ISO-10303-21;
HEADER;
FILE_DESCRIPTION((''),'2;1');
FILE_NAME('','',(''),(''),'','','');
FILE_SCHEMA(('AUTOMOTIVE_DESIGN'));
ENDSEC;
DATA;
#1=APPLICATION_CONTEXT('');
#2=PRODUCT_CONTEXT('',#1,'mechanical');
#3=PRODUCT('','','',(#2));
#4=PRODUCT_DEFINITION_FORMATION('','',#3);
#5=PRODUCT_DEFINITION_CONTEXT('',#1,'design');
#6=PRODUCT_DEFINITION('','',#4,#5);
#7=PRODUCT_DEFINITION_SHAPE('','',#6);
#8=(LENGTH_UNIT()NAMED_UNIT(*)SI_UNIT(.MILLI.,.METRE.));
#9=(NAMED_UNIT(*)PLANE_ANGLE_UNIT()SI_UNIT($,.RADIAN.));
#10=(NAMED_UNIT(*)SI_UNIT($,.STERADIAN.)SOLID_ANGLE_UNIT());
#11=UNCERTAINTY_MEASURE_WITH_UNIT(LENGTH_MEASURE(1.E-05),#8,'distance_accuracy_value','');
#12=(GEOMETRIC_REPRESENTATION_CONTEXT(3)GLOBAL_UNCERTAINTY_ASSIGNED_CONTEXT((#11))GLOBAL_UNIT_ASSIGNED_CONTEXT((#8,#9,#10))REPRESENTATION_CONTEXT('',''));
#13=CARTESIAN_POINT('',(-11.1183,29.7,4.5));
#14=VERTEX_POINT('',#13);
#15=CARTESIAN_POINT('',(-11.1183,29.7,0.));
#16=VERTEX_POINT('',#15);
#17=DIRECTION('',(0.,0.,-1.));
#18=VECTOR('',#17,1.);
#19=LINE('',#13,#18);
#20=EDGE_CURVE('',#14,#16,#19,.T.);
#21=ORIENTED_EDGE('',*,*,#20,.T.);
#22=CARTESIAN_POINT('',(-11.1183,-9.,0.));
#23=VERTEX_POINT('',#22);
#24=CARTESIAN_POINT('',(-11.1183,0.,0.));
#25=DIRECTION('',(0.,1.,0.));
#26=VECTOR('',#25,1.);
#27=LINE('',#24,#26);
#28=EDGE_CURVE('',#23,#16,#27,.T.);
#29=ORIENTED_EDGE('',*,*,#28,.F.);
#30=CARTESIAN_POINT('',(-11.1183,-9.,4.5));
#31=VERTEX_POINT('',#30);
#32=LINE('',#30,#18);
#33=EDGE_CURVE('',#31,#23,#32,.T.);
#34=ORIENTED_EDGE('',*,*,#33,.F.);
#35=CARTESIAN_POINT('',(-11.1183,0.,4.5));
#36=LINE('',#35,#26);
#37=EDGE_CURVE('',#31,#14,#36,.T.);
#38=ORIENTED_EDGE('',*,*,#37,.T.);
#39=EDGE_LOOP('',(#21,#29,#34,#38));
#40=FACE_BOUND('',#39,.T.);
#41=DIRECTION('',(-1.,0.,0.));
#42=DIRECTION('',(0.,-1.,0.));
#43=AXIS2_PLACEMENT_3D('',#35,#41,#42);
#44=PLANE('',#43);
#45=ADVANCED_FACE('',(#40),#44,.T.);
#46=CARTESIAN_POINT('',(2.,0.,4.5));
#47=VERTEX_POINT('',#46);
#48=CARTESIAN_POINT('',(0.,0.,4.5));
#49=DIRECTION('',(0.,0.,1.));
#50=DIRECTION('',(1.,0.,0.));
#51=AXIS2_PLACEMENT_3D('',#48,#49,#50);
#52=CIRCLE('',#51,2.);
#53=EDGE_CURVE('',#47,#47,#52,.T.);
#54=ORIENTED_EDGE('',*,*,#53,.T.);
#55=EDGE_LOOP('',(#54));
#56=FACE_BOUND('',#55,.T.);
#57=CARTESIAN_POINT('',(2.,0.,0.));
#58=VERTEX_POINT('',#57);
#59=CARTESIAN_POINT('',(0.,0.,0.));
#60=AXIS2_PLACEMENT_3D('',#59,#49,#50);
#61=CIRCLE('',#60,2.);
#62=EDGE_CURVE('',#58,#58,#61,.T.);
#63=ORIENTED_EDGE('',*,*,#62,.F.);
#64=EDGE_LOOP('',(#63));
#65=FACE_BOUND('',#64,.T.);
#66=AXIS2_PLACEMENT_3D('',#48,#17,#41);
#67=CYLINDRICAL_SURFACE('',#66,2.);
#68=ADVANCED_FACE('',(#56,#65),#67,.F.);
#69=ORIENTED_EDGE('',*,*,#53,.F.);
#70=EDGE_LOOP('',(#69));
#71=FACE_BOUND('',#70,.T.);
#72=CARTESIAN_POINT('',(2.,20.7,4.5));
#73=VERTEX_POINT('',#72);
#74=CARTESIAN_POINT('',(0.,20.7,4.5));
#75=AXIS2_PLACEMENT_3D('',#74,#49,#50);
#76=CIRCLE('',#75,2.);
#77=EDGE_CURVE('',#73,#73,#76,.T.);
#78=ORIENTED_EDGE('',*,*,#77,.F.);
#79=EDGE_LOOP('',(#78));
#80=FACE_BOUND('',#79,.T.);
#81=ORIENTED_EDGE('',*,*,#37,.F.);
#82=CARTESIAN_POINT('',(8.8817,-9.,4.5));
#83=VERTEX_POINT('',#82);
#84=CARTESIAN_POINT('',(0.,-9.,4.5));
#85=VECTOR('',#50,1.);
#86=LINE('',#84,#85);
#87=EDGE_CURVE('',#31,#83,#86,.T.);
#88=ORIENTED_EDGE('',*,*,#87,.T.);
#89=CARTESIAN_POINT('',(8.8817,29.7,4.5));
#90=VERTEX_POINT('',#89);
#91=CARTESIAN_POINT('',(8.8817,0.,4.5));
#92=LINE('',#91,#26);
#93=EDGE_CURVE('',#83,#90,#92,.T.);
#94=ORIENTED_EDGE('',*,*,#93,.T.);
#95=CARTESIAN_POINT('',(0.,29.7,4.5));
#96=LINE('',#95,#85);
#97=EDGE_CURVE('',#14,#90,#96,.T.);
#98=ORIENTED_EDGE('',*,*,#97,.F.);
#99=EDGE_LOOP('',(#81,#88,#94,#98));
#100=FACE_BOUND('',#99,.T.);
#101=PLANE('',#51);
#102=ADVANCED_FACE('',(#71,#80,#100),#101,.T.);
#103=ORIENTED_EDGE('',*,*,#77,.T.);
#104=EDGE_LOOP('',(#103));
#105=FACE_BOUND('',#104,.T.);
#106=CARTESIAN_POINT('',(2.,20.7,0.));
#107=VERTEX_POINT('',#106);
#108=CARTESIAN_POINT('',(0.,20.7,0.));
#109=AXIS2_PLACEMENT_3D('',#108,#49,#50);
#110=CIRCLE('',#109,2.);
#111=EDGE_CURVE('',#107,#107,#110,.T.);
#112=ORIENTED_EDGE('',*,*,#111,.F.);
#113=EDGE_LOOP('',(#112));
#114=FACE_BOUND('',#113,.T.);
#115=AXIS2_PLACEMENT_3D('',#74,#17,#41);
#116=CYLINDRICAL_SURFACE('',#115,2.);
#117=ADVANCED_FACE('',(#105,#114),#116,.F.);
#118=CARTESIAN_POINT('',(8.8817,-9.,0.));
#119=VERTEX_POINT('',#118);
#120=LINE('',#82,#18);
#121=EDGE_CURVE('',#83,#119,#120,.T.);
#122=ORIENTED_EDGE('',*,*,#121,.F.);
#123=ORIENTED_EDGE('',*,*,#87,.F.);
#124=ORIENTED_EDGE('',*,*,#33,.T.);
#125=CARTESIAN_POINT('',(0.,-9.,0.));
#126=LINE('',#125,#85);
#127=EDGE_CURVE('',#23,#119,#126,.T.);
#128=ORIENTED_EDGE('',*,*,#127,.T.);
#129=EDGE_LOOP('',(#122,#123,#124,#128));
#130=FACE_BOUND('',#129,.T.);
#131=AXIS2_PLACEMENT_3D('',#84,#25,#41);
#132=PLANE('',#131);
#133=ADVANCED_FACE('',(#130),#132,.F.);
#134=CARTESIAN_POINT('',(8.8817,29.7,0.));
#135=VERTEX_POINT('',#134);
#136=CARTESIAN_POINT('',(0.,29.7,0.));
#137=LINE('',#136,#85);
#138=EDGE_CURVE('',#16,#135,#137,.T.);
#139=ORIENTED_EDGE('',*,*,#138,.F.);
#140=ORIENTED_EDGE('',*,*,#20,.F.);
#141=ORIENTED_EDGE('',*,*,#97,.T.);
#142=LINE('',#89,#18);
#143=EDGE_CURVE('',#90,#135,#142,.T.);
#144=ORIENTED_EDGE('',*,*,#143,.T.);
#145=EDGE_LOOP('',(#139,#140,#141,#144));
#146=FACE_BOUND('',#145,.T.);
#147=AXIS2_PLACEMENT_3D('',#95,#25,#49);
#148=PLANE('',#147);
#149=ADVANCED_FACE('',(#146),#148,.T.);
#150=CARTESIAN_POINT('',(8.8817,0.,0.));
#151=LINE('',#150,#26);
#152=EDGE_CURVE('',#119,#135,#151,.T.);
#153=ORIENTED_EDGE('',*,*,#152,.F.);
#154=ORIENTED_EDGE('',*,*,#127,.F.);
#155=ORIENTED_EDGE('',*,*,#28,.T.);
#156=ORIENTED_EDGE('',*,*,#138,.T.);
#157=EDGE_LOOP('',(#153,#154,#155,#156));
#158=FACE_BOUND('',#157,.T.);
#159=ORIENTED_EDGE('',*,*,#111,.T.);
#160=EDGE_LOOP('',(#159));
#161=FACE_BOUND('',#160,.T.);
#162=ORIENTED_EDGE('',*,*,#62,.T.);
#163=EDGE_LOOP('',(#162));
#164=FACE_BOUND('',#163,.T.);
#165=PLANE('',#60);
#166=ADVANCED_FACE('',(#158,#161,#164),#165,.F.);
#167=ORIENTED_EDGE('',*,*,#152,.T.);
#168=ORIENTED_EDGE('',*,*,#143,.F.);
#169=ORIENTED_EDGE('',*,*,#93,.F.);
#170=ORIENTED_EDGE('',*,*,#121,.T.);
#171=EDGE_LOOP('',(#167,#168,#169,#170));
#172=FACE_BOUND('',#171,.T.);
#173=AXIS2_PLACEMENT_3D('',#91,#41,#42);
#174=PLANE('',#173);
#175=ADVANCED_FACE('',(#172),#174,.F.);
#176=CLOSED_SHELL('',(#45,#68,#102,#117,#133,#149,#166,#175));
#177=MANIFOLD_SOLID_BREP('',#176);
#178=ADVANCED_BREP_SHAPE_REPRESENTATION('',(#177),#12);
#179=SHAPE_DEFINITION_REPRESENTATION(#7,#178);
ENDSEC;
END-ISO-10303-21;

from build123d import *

# Parameters (mm, degrees)
SKETCH1_W           = 20
SKETCH1_H           = 38.7
SKETCH1_R           = 2
BOSS_EXTRUDE1_DEPTH = 4.5


with BuildPart() as part:
    # Sketch1 → Boss-Extrude1 (new body)
    with BuildSketch(Plane.XY):
        with Locations((-1.1183, 10.35)):
            Rectangle(SKETCH1_W, SKETCH1_H)
        Circle(SKETCH1_R, mode=Mode.SUBTRACT)
        with Locations((0, 20.7)):
            Circle(SKETCH1_R, mode=Mode.SUBTRACT)
    extrude(amount=BOSS_EXTRUDE1_DEPTH)


solid = part.part
